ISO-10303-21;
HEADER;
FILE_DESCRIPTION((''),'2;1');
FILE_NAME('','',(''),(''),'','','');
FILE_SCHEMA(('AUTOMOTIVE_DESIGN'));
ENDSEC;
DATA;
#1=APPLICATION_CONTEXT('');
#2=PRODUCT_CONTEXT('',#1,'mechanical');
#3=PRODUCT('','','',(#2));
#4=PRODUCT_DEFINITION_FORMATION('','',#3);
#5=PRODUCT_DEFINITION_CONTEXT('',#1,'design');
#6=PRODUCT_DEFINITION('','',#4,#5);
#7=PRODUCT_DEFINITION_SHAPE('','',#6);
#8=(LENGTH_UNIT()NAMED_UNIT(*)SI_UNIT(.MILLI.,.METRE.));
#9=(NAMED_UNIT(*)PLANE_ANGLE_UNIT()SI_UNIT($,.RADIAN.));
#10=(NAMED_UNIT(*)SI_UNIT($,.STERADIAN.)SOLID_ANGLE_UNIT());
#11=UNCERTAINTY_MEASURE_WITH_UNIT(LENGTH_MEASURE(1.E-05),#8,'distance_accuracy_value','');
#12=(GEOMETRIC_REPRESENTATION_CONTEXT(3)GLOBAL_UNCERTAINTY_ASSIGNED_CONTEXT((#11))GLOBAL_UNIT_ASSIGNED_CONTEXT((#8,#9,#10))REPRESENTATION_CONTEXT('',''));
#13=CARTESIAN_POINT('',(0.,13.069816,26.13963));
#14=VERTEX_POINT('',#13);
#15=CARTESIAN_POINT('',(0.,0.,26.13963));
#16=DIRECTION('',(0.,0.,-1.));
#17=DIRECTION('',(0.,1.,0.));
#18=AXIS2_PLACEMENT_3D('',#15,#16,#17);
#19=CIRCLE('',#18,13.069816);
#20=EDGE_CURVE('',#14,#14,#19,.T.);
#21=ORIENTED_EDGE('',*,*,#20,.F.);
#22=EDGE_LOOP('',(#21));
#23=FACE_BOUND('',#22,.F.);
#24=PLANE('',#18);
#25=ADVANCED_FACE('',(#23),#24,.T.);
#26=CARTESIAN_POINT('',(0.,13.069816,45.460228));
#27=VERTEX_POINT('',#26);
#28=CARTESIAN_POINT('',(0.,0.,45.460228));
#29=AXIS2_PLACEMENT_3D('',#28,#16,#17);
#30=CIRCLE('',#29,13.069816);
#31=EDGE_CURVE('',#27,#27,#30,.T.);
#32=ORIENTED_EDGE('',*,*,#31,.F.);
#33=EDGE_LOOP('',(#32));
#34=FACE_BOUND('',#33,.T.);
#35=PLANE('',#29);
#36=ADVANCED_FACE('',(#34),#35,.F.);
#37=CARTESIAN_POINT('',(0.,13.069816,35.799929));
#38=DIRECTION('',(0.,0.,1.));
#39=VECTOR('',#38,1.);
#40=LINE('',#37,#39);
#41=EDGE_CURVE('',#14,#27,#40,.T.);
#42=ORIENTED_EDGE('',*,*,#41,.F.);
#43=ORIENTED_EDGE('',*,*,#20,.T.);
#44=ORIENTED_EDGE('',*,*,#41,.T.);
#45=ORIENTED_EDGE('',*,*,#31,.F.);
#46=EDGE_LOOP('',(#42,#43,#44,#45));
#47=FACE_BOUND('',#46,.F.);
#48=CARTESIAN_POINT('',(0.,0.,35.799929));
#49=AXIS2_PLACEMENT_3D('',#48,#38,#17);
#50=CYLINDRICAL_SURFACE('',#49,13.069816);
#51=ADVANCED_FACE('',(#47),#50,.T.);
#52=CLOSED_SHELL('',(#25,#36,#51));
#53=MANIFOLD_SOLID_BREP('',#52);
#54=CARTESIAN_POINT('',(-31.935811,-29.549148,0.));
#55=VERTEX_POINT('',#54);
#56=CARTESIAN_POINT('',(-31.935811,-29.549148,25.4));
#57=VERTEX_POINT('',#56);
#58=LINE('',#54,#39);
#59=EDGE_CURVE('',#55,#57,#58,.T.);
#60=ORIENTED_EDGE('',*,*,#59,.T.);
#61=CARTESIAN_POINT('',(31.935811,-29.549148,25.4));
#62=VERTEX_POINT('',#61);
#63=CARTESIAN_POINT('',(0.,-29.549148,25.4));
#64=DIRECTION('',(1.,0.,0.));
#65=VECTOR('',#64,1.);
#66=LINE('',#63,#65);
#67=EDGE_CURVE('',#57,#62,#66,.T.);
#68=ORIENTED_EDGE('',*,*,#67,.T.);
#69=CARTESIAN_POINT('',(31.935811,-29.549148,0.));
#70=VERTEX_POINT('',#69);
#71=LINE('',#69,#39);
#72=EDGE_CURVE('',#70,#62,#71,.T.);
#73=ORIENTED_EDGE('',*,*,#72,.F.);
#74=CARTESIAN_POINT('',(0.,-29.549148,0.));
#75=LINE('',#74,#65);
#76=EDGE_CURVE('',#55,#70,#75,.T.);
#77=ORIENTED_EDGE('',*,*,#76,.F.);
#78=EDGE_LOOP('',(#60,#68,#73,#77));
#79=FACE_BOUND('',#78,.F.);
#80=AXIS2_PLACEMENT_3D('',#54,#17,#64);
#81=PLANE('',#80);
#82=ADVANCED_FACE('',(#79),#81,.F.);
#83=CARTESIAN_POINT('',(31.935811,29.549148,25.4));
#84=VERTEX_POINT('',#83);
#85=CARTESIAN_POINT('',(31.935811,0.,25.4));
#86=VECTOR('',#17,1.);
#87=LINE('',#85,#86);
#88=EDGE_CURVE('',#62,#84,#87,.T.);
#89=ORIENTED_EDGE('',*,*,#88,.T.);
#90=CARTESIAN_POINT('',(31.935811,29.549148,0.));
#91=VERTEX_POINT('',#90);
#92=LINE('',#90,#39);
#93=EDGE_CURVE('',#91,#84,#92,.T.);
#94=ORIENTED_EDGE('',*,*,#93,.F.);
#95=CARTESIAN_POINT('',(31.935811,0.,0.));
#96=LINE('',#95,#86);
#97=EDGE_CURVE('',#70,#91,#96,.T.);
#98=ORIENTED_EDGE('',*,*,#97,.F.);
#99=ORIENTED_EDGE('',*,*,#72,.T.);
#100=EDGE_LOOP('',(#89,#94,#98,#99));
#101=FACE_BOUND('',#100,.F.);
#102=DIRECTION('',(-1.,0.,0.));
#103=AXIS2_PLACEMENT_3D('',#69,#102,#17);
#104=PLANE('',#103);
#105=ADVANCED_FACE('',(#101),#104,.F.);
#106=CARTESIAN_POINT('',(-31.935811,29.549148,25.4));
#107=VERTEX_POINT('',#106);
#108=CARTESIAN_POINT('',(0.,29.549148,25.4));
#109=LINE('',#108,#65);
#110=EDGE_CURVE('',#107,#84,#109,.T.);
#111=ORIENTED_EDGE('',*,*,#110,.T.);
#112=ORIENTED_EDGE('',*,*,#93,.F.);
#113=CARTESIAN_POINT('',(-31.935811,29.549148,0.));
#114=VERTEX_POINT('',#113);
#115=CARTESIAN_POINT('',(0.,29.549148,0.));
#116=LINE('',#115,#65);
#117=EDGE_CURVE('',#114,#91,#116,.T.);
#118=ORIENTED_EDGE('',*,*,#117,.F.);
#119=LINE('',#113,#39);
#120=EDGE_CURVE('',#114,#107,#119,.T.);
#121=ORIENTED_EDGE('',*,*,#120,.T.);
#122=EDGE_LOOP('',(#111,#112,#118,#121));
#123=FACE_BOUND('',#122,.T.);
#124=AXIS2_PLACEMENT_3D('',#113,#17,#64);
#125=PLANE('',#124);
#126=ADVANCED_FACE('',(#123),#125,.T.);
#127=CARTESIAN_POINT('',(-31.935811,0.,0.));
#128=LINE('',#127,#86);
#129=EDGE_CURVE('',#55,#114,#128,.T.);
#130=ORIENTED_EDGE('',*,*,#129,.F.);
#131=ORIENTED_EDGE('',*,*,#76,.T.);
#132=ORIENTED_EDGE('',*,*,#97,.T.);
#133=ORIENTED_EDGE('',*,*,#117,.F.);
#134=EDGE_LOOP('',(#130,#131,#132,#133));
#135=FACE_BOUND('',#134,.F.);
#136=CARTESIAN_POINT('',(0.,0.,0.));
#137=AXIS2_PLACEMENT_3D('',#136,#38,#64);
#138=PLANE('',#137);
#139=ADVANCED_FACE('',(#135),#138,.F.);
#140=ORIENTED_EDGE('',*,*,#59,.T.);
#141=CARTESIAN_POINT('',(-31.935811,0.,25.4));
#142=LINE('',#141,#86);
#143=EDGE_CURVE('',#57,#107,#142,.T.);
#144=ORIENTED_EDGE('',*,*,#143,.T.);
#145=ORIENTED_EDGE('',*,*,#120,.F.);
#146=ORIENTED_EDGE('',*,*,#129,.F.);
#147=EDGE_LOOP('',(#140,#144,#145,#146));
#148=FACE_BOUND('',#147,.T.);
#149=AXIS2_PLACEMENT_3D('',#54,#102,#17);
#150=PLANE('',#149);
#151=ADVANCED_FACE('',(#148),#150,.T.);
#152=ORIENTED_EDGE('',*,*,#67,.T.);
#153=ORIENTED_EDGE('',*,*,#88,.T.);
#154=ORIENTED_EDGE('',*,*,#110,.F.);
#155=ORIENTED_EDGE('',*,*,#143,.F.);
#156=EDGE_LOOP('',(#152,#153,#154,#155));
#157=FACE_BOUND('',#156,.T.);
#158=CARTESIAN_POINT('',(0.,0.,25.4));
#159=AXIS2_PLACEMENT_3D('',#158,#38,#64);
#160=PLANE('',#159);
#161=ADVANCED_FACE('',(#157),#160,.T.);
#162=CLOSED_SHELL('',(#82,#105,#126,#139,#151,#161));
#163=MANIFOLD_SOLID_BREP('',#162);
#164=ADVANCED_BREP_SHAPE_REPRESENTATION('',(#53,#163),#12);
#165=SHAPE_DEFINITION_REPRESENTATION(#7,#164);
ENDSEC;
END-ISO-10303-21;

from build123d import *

# Parameters (mm, degrees)
F0_W     = 63.871622
F0_H     = 59.098296
F1_DEPTH = 25.4
F2_W     = 13.069816
F2_H     = 19.320598


with BuildPart() as f1:
    # F0 (on Top) → F1 (new body)
    with BuildSketch(Plane.XY):
        Rectangle(F0_W, F0_H)
    extrude(amount=F1_DEPTH)


with BuildPart() as f3:
    # F2 (on Right) → F3 (revolve)
    with BuildSketch(Plane.YZ):
        with Locations((6.534908, 35.799929)):
            Rectangle(F2_W, F2_H)
    revolve(axis=Axis((0, 0, 35.799929), (0, 0, -1)))


solid = Compound([f1.part, f3.part])
